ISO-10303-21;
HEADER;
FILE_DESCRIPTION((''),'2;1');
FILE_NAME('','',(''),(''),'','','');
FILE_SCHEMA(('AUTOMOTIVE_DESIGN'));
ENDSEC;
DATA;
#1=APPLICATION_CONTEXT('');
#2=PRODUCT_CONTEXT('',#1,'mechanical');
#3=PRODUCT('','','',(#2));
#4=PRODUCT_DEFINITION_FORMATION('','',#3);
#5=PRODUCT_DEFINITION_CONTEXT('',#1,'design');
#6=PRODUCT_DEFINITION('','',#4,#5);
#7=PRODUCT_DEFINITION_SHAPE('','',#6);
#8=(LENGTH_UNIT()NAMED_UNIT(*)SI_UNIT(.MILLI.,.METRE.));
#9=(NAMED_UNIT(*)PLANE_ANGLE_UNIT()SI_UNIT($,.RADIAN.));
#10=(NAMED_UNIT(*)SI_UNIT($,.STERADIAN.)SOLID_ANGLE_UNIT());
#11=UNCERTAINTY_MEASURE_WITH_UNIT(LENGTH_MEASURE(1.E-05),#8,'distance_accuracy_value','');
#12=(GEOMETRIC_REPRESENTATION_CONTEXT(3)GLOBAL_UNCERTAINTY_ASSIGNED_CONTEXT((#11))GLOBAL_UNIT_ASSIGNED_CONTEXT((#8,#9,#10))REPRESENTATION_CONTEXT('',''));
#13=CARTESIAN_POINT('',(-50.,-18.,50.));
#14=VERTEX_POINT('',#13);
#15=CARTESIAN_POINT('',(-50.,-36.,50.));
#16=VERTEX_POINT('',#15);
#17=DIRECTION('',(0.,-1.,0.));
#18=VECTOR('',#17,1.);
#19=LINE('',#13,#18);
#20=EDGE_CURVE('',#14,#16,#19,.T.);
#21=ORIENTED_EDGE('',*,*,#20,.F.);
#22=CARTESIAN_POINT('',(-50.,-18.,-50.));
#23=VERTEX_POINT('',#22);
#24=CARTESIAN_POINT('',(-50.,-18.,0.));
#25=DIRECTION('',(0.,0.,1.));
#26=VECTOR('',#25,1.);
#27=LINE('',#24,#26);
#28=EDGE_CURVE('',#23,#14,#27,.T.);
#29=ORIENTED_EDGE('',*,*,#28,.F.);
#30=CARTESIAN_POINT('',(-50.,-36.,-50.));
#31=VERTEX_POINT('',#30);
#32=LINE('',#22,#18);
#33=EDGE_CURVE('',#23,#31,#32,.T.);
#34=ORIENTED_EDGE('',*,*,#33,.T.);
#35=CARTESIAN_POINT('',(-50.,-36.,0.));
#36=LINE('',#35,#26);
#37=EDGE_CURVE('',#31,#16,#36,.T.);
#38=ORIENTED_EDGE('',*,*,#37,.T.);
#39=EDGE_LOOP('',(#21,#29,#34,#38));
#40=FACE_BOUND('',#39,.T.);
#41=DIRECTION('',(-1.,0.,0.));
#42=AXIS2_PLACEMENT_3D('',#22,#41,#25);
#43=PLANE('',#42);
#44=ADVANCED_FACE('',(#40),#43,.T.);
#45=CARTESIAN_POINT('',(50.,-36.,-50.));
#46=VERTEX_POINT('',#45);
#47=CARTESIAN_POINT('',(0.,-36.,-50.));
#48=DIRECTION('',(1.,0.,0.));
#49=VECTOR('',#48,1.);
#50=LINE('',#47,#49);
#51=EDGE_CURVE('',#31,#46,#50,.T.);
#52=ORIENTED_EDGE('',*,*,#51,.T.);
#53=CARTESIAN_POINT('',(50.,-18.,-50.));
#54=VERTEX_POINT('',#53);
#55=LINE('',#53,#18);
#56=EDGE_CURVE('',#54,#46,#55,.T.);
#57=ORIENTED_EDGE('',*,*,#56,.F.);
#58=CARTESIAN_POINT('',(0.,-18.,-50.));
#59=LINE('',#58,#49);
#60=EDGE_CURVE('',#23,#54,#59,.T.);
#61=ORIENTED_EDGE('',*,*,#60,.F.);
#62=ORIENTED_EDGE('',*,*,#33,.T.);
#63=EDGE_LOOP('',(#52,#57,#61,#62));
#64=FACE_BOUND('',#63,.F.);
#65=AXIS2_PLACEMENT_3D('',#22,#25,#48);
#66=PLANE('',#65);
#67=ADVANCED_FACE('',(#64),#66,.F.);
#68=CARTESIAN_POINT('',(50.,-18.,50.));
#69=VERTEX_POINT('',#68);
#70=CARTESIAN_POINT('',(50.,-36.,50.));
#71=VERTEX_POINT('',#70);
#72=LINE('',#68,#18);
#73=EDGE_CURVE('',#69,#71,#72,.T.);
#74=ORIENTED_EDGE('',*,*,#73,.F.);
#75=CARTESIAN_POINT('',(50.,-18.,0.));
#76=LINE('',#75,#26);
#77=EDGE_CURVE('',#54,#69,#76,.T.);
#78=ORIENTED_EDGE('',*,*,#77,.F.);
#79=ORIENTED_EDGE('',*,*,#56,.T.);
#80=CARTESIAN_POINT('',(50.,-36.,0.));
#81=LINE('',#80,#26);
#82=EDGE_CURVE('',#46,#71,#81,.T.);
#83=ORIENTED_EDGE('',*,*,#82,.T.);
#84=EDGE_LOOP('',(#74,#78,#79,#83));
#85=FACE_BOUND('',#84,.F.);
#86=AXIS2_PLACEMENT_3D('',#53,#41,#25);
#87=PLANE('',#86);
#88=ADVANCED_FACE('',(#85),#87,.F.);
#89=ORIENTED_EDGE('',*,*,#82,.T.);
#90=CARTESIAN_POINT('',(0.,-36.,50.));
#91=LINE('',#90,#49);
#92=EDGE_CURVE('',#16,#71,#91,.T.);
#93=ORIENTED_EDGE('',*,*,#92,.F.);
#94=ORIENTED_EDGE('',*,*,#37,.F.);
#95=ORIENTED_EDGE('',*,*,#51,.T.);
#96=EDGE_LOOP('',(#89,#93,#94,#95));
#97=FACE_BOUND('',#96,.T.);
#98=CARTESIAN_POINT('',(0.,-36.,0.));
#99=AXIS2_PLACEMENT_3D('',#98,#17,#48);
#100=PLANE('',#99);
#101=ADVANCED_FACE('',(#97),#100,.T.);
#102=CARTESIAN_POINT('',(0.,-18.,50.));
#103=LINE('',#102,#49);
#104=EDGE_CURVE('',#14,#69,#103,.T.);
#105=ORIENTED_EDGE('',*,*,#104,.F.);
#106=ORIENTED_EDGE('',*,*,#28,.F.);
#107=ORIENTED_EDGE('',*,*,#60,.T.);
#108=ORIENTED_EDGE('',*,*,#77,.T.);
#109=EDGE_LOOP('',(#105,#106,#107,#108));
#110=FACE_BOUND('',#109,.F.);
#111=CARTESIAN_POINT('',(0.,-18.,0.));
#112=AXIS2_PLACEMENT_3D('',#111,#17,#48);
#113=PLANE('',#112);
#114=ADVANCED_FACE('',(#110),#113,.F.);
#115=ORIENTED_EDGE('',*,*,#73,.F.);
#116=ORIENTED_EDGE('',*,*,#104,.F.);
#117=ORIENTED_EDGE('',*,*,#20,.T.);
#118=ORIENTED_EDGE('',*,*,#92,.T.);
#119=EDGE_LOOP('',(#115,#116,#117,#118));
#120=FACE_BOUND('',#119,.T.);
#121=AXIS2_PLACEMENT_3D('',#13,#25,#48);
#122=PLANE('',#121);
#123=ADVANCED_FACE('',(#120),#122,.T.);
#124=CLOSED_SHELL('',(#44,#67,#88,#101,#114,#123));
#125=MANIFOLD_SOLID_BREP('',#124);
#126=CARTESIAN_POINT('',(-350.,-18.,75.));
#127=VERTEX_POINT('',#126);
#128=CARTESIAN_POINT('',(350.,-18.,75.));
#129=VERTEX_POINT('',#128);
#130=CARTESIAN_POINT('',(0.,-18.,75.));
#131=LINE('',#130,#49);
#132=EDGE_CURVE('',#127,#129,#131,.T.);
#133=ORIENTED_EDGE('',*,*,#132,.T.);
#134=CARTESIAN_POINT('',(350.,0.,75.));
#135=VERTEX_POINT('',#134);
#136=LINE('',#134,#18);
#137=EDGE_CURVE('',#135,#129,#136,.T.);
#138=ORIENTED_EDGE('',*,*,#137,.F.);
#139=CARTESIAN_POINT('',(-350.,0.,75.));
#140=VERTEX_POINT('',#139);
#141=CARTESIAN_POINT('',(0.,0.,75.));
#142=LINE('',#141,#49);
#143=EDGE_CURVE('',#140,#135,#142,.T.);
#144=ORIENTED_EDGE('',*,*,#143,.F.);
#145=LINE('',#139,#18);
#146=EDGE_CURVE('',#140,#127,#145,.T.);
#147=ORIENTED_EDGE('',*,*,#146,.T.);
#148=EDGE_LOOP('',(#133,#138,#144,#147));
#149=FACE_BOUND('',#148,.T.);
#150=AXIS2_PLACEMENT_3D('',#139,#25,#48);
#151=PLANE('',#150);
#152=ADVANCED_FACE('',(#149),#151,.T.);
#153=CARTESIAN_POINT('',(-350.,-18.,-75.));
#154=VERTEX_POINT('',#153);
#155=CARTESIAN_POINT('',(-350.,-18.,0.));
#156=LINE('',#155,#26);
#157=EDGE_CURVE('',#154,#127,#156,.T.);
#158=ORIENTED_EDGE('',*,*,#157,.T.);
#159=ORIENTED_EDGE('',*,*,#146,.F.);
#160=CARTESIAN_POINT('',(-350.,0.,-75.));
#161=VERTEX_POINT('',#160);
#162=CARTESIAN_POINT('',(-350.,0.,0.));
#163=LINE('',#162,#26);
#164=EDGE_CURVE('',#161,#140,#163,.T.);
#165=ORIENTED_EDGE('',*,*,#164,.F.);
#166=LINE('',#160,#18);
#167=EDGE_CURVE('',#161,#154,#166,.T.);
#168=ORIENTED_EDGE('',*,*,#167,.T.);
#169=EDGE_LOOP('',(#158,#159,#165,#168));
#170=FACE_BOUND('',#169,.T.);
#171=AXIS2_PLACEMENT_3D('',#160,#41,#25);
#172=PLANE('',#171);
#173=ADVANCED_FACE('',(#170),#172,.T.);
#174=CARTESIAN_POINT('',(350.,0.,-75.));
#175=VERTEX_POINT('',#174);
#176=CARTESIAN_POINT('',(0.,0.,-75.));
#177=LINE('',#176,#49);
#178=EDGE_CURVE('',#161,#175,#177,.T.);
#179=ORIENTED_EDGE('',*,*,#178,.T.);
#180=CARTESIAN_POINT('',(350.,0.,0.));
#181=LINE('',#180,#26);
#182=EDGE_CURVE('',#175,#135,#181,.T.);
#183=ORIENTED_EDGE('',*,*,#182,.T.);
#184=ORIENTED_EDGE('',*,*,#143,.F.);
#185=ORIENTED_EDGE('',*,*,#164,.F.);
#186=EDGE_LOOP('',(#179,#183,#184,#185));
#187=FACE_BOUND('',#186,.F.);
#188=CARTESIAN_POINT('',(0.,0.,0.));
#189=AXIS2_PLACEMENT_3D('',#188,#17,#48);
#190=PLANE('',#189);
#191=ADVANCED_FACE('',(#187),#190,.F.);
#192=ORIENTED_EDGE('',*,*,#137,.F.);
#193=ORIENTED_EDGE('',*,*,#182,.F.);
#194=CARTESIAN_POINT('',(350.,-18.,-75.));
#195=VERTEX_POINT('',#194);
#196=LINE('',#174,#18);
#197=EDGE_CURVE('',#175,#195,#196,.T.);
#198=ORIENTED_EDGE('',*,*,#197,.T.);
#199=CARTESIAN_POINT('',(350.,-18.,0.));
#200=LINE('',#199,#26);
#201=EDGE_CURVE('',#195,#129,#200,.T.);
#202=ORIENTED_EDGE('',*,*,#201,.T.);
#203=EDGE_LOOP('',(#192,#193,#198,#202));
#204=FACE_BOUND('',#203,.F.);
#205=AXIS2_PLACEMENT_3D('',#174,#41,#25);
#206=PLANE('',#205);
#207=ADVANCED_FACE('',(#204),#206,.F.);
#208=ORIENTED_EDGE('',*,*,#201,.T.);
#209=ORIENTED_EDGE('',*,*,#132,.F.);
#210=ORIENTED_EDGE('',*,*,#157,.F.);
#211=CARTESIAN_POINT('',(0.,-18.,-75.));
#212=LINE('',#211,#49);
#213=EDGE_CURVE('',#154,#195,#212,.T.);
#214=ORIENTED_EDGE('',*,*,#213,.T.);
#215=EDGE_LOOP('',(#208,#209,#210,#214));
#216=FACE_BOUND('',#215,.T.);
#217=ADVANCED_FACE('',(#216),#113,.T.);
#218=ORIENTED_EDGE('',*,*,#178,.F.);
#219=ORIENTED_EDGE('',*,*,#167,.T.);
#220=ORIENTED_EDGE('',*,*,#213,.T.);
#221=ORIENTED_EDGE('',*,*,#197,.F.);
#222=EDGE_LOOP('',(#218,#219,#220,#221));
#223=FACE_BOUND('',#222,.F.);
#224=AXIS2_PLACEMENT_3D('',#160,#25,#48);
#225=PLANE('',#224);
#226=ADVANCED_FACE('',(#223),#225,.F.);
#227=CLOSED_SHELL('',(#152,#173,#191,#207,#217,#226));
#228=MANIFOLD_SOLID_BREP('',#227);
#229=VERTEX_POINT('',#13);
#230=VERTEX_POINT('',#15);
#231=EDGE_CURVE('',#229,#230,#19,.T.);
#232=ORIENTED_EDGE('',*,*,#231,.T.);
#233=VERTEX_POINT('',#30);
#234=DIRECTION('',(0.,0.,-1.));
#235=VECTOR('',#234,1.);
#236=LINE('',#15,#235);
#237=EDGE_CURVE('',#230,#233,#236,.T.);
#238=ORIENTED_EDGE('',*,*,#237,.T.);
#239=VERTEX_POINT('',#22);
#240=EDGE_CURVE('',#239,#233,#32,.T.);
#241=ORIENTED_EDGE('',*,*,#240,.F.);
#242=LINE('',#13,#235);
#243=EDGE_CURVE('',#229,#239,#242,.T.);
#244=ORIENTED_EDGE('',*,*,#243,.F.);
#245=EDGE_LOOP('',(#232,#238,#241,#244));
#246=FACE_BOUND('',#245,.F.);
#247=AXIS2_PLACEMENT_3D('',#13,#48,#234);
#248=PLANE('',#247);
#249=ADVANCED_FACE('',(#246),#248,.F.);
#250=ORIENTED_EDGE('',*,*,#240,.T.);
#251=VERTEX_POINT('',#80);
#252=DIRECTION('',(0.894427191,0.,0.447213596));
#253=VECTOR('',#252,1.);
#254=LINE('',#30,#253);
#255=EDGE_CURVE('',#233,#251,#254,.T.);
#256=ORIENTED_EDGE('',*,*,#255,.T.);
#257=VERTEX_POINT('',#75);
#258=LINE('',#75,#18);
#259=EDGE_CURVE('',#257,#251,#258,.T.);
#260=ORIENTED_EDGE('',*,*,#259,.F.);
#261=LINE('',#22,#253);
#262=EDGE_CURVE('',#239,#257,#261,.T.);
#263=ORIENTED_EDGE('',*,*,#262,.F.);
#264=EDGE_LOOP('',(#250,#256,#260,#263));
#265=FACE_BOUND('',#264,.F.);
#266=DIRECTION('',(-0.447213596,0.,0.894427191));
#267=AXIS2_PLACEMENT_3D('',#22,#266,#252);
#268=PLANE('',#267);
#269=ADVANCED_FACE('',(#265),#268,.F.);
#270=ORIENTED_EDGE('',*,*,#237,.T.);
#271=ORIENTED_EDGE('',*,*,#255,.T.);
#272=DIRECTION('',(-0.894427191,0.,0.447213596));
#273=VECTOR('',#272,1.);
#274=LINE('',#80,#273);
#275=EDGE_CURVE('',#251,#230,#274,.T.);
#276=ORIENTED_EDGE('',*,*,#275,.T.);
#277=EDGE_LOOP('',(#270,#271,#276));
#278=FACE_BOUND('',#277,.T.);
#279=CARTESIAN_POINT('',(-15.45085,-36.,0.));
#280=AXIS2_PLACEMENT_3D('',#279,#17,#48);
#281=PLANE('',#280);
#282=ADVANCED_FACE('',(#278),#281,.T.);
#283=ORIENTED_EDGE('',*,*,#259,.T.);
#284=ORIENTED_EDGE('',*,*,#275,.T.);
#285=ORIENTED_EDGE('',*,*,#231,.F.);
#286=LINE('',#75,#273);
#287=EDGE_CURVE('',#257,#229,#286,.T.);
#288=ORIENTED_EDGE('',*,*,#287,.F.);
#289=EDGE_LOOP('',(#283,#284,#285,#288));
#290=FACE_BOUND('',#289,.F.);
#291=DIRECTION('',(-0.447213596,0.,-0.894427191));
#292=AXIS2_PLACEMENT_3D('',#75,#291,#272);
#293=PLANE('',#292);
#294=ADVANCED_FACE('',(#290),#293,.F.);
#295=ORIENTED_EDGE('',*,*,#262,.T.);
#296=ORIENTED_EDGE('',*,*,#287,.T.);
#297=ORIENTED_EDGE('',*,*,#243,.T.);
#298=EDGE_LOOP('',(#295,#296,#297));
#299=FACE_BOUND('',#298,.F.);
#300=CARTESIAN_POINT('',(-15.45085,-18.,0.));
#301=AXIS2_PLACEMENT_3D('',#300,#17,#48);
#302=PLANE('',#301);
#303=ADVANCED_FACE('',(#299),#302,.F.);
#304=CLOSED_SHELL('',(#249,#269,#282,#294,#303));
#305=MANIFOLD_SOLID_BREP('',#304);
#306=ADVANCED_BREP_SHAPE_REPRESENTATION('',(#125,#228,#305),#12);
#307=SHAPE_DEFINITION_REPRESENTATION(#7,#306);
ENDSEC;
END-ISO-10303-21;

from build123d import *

# Parameters (mm, degrees)
F0_W     = 700
F0_H     = 150
F1_DEPTH = 18
F2_W     = 100
F2_H     = 100
F3_DEPTH = 18
F5_DEPTH = 18


with BuildPart() as f1:
    # F0 (on Front) → F1 (new body)
    with BuildSketch(Plane.XZ):
        Rectangle(F0_W, F0_H)
    extrude(amount=F1_DEPTH)


with BuildPart() as f3:
    # F2 (on face) → F3 (new body)
    with BuildSketch(Plane.XZ.offset(18)):
        Rectangle(F2_W, F2_H)
    extrude(amount=F3_DEPTH)


with BuildPart() as f5:
    # F4 (on face) → F5 (new body)
    with BuildSketch(Plane.XZ.offset(18)):
        Polygon((50, 0), (-50, 50), (-50, -50), align=None)
    extrude(amount=F5_DEPTH)


solid = Compound([f1.part, f3.part, f5.part])
